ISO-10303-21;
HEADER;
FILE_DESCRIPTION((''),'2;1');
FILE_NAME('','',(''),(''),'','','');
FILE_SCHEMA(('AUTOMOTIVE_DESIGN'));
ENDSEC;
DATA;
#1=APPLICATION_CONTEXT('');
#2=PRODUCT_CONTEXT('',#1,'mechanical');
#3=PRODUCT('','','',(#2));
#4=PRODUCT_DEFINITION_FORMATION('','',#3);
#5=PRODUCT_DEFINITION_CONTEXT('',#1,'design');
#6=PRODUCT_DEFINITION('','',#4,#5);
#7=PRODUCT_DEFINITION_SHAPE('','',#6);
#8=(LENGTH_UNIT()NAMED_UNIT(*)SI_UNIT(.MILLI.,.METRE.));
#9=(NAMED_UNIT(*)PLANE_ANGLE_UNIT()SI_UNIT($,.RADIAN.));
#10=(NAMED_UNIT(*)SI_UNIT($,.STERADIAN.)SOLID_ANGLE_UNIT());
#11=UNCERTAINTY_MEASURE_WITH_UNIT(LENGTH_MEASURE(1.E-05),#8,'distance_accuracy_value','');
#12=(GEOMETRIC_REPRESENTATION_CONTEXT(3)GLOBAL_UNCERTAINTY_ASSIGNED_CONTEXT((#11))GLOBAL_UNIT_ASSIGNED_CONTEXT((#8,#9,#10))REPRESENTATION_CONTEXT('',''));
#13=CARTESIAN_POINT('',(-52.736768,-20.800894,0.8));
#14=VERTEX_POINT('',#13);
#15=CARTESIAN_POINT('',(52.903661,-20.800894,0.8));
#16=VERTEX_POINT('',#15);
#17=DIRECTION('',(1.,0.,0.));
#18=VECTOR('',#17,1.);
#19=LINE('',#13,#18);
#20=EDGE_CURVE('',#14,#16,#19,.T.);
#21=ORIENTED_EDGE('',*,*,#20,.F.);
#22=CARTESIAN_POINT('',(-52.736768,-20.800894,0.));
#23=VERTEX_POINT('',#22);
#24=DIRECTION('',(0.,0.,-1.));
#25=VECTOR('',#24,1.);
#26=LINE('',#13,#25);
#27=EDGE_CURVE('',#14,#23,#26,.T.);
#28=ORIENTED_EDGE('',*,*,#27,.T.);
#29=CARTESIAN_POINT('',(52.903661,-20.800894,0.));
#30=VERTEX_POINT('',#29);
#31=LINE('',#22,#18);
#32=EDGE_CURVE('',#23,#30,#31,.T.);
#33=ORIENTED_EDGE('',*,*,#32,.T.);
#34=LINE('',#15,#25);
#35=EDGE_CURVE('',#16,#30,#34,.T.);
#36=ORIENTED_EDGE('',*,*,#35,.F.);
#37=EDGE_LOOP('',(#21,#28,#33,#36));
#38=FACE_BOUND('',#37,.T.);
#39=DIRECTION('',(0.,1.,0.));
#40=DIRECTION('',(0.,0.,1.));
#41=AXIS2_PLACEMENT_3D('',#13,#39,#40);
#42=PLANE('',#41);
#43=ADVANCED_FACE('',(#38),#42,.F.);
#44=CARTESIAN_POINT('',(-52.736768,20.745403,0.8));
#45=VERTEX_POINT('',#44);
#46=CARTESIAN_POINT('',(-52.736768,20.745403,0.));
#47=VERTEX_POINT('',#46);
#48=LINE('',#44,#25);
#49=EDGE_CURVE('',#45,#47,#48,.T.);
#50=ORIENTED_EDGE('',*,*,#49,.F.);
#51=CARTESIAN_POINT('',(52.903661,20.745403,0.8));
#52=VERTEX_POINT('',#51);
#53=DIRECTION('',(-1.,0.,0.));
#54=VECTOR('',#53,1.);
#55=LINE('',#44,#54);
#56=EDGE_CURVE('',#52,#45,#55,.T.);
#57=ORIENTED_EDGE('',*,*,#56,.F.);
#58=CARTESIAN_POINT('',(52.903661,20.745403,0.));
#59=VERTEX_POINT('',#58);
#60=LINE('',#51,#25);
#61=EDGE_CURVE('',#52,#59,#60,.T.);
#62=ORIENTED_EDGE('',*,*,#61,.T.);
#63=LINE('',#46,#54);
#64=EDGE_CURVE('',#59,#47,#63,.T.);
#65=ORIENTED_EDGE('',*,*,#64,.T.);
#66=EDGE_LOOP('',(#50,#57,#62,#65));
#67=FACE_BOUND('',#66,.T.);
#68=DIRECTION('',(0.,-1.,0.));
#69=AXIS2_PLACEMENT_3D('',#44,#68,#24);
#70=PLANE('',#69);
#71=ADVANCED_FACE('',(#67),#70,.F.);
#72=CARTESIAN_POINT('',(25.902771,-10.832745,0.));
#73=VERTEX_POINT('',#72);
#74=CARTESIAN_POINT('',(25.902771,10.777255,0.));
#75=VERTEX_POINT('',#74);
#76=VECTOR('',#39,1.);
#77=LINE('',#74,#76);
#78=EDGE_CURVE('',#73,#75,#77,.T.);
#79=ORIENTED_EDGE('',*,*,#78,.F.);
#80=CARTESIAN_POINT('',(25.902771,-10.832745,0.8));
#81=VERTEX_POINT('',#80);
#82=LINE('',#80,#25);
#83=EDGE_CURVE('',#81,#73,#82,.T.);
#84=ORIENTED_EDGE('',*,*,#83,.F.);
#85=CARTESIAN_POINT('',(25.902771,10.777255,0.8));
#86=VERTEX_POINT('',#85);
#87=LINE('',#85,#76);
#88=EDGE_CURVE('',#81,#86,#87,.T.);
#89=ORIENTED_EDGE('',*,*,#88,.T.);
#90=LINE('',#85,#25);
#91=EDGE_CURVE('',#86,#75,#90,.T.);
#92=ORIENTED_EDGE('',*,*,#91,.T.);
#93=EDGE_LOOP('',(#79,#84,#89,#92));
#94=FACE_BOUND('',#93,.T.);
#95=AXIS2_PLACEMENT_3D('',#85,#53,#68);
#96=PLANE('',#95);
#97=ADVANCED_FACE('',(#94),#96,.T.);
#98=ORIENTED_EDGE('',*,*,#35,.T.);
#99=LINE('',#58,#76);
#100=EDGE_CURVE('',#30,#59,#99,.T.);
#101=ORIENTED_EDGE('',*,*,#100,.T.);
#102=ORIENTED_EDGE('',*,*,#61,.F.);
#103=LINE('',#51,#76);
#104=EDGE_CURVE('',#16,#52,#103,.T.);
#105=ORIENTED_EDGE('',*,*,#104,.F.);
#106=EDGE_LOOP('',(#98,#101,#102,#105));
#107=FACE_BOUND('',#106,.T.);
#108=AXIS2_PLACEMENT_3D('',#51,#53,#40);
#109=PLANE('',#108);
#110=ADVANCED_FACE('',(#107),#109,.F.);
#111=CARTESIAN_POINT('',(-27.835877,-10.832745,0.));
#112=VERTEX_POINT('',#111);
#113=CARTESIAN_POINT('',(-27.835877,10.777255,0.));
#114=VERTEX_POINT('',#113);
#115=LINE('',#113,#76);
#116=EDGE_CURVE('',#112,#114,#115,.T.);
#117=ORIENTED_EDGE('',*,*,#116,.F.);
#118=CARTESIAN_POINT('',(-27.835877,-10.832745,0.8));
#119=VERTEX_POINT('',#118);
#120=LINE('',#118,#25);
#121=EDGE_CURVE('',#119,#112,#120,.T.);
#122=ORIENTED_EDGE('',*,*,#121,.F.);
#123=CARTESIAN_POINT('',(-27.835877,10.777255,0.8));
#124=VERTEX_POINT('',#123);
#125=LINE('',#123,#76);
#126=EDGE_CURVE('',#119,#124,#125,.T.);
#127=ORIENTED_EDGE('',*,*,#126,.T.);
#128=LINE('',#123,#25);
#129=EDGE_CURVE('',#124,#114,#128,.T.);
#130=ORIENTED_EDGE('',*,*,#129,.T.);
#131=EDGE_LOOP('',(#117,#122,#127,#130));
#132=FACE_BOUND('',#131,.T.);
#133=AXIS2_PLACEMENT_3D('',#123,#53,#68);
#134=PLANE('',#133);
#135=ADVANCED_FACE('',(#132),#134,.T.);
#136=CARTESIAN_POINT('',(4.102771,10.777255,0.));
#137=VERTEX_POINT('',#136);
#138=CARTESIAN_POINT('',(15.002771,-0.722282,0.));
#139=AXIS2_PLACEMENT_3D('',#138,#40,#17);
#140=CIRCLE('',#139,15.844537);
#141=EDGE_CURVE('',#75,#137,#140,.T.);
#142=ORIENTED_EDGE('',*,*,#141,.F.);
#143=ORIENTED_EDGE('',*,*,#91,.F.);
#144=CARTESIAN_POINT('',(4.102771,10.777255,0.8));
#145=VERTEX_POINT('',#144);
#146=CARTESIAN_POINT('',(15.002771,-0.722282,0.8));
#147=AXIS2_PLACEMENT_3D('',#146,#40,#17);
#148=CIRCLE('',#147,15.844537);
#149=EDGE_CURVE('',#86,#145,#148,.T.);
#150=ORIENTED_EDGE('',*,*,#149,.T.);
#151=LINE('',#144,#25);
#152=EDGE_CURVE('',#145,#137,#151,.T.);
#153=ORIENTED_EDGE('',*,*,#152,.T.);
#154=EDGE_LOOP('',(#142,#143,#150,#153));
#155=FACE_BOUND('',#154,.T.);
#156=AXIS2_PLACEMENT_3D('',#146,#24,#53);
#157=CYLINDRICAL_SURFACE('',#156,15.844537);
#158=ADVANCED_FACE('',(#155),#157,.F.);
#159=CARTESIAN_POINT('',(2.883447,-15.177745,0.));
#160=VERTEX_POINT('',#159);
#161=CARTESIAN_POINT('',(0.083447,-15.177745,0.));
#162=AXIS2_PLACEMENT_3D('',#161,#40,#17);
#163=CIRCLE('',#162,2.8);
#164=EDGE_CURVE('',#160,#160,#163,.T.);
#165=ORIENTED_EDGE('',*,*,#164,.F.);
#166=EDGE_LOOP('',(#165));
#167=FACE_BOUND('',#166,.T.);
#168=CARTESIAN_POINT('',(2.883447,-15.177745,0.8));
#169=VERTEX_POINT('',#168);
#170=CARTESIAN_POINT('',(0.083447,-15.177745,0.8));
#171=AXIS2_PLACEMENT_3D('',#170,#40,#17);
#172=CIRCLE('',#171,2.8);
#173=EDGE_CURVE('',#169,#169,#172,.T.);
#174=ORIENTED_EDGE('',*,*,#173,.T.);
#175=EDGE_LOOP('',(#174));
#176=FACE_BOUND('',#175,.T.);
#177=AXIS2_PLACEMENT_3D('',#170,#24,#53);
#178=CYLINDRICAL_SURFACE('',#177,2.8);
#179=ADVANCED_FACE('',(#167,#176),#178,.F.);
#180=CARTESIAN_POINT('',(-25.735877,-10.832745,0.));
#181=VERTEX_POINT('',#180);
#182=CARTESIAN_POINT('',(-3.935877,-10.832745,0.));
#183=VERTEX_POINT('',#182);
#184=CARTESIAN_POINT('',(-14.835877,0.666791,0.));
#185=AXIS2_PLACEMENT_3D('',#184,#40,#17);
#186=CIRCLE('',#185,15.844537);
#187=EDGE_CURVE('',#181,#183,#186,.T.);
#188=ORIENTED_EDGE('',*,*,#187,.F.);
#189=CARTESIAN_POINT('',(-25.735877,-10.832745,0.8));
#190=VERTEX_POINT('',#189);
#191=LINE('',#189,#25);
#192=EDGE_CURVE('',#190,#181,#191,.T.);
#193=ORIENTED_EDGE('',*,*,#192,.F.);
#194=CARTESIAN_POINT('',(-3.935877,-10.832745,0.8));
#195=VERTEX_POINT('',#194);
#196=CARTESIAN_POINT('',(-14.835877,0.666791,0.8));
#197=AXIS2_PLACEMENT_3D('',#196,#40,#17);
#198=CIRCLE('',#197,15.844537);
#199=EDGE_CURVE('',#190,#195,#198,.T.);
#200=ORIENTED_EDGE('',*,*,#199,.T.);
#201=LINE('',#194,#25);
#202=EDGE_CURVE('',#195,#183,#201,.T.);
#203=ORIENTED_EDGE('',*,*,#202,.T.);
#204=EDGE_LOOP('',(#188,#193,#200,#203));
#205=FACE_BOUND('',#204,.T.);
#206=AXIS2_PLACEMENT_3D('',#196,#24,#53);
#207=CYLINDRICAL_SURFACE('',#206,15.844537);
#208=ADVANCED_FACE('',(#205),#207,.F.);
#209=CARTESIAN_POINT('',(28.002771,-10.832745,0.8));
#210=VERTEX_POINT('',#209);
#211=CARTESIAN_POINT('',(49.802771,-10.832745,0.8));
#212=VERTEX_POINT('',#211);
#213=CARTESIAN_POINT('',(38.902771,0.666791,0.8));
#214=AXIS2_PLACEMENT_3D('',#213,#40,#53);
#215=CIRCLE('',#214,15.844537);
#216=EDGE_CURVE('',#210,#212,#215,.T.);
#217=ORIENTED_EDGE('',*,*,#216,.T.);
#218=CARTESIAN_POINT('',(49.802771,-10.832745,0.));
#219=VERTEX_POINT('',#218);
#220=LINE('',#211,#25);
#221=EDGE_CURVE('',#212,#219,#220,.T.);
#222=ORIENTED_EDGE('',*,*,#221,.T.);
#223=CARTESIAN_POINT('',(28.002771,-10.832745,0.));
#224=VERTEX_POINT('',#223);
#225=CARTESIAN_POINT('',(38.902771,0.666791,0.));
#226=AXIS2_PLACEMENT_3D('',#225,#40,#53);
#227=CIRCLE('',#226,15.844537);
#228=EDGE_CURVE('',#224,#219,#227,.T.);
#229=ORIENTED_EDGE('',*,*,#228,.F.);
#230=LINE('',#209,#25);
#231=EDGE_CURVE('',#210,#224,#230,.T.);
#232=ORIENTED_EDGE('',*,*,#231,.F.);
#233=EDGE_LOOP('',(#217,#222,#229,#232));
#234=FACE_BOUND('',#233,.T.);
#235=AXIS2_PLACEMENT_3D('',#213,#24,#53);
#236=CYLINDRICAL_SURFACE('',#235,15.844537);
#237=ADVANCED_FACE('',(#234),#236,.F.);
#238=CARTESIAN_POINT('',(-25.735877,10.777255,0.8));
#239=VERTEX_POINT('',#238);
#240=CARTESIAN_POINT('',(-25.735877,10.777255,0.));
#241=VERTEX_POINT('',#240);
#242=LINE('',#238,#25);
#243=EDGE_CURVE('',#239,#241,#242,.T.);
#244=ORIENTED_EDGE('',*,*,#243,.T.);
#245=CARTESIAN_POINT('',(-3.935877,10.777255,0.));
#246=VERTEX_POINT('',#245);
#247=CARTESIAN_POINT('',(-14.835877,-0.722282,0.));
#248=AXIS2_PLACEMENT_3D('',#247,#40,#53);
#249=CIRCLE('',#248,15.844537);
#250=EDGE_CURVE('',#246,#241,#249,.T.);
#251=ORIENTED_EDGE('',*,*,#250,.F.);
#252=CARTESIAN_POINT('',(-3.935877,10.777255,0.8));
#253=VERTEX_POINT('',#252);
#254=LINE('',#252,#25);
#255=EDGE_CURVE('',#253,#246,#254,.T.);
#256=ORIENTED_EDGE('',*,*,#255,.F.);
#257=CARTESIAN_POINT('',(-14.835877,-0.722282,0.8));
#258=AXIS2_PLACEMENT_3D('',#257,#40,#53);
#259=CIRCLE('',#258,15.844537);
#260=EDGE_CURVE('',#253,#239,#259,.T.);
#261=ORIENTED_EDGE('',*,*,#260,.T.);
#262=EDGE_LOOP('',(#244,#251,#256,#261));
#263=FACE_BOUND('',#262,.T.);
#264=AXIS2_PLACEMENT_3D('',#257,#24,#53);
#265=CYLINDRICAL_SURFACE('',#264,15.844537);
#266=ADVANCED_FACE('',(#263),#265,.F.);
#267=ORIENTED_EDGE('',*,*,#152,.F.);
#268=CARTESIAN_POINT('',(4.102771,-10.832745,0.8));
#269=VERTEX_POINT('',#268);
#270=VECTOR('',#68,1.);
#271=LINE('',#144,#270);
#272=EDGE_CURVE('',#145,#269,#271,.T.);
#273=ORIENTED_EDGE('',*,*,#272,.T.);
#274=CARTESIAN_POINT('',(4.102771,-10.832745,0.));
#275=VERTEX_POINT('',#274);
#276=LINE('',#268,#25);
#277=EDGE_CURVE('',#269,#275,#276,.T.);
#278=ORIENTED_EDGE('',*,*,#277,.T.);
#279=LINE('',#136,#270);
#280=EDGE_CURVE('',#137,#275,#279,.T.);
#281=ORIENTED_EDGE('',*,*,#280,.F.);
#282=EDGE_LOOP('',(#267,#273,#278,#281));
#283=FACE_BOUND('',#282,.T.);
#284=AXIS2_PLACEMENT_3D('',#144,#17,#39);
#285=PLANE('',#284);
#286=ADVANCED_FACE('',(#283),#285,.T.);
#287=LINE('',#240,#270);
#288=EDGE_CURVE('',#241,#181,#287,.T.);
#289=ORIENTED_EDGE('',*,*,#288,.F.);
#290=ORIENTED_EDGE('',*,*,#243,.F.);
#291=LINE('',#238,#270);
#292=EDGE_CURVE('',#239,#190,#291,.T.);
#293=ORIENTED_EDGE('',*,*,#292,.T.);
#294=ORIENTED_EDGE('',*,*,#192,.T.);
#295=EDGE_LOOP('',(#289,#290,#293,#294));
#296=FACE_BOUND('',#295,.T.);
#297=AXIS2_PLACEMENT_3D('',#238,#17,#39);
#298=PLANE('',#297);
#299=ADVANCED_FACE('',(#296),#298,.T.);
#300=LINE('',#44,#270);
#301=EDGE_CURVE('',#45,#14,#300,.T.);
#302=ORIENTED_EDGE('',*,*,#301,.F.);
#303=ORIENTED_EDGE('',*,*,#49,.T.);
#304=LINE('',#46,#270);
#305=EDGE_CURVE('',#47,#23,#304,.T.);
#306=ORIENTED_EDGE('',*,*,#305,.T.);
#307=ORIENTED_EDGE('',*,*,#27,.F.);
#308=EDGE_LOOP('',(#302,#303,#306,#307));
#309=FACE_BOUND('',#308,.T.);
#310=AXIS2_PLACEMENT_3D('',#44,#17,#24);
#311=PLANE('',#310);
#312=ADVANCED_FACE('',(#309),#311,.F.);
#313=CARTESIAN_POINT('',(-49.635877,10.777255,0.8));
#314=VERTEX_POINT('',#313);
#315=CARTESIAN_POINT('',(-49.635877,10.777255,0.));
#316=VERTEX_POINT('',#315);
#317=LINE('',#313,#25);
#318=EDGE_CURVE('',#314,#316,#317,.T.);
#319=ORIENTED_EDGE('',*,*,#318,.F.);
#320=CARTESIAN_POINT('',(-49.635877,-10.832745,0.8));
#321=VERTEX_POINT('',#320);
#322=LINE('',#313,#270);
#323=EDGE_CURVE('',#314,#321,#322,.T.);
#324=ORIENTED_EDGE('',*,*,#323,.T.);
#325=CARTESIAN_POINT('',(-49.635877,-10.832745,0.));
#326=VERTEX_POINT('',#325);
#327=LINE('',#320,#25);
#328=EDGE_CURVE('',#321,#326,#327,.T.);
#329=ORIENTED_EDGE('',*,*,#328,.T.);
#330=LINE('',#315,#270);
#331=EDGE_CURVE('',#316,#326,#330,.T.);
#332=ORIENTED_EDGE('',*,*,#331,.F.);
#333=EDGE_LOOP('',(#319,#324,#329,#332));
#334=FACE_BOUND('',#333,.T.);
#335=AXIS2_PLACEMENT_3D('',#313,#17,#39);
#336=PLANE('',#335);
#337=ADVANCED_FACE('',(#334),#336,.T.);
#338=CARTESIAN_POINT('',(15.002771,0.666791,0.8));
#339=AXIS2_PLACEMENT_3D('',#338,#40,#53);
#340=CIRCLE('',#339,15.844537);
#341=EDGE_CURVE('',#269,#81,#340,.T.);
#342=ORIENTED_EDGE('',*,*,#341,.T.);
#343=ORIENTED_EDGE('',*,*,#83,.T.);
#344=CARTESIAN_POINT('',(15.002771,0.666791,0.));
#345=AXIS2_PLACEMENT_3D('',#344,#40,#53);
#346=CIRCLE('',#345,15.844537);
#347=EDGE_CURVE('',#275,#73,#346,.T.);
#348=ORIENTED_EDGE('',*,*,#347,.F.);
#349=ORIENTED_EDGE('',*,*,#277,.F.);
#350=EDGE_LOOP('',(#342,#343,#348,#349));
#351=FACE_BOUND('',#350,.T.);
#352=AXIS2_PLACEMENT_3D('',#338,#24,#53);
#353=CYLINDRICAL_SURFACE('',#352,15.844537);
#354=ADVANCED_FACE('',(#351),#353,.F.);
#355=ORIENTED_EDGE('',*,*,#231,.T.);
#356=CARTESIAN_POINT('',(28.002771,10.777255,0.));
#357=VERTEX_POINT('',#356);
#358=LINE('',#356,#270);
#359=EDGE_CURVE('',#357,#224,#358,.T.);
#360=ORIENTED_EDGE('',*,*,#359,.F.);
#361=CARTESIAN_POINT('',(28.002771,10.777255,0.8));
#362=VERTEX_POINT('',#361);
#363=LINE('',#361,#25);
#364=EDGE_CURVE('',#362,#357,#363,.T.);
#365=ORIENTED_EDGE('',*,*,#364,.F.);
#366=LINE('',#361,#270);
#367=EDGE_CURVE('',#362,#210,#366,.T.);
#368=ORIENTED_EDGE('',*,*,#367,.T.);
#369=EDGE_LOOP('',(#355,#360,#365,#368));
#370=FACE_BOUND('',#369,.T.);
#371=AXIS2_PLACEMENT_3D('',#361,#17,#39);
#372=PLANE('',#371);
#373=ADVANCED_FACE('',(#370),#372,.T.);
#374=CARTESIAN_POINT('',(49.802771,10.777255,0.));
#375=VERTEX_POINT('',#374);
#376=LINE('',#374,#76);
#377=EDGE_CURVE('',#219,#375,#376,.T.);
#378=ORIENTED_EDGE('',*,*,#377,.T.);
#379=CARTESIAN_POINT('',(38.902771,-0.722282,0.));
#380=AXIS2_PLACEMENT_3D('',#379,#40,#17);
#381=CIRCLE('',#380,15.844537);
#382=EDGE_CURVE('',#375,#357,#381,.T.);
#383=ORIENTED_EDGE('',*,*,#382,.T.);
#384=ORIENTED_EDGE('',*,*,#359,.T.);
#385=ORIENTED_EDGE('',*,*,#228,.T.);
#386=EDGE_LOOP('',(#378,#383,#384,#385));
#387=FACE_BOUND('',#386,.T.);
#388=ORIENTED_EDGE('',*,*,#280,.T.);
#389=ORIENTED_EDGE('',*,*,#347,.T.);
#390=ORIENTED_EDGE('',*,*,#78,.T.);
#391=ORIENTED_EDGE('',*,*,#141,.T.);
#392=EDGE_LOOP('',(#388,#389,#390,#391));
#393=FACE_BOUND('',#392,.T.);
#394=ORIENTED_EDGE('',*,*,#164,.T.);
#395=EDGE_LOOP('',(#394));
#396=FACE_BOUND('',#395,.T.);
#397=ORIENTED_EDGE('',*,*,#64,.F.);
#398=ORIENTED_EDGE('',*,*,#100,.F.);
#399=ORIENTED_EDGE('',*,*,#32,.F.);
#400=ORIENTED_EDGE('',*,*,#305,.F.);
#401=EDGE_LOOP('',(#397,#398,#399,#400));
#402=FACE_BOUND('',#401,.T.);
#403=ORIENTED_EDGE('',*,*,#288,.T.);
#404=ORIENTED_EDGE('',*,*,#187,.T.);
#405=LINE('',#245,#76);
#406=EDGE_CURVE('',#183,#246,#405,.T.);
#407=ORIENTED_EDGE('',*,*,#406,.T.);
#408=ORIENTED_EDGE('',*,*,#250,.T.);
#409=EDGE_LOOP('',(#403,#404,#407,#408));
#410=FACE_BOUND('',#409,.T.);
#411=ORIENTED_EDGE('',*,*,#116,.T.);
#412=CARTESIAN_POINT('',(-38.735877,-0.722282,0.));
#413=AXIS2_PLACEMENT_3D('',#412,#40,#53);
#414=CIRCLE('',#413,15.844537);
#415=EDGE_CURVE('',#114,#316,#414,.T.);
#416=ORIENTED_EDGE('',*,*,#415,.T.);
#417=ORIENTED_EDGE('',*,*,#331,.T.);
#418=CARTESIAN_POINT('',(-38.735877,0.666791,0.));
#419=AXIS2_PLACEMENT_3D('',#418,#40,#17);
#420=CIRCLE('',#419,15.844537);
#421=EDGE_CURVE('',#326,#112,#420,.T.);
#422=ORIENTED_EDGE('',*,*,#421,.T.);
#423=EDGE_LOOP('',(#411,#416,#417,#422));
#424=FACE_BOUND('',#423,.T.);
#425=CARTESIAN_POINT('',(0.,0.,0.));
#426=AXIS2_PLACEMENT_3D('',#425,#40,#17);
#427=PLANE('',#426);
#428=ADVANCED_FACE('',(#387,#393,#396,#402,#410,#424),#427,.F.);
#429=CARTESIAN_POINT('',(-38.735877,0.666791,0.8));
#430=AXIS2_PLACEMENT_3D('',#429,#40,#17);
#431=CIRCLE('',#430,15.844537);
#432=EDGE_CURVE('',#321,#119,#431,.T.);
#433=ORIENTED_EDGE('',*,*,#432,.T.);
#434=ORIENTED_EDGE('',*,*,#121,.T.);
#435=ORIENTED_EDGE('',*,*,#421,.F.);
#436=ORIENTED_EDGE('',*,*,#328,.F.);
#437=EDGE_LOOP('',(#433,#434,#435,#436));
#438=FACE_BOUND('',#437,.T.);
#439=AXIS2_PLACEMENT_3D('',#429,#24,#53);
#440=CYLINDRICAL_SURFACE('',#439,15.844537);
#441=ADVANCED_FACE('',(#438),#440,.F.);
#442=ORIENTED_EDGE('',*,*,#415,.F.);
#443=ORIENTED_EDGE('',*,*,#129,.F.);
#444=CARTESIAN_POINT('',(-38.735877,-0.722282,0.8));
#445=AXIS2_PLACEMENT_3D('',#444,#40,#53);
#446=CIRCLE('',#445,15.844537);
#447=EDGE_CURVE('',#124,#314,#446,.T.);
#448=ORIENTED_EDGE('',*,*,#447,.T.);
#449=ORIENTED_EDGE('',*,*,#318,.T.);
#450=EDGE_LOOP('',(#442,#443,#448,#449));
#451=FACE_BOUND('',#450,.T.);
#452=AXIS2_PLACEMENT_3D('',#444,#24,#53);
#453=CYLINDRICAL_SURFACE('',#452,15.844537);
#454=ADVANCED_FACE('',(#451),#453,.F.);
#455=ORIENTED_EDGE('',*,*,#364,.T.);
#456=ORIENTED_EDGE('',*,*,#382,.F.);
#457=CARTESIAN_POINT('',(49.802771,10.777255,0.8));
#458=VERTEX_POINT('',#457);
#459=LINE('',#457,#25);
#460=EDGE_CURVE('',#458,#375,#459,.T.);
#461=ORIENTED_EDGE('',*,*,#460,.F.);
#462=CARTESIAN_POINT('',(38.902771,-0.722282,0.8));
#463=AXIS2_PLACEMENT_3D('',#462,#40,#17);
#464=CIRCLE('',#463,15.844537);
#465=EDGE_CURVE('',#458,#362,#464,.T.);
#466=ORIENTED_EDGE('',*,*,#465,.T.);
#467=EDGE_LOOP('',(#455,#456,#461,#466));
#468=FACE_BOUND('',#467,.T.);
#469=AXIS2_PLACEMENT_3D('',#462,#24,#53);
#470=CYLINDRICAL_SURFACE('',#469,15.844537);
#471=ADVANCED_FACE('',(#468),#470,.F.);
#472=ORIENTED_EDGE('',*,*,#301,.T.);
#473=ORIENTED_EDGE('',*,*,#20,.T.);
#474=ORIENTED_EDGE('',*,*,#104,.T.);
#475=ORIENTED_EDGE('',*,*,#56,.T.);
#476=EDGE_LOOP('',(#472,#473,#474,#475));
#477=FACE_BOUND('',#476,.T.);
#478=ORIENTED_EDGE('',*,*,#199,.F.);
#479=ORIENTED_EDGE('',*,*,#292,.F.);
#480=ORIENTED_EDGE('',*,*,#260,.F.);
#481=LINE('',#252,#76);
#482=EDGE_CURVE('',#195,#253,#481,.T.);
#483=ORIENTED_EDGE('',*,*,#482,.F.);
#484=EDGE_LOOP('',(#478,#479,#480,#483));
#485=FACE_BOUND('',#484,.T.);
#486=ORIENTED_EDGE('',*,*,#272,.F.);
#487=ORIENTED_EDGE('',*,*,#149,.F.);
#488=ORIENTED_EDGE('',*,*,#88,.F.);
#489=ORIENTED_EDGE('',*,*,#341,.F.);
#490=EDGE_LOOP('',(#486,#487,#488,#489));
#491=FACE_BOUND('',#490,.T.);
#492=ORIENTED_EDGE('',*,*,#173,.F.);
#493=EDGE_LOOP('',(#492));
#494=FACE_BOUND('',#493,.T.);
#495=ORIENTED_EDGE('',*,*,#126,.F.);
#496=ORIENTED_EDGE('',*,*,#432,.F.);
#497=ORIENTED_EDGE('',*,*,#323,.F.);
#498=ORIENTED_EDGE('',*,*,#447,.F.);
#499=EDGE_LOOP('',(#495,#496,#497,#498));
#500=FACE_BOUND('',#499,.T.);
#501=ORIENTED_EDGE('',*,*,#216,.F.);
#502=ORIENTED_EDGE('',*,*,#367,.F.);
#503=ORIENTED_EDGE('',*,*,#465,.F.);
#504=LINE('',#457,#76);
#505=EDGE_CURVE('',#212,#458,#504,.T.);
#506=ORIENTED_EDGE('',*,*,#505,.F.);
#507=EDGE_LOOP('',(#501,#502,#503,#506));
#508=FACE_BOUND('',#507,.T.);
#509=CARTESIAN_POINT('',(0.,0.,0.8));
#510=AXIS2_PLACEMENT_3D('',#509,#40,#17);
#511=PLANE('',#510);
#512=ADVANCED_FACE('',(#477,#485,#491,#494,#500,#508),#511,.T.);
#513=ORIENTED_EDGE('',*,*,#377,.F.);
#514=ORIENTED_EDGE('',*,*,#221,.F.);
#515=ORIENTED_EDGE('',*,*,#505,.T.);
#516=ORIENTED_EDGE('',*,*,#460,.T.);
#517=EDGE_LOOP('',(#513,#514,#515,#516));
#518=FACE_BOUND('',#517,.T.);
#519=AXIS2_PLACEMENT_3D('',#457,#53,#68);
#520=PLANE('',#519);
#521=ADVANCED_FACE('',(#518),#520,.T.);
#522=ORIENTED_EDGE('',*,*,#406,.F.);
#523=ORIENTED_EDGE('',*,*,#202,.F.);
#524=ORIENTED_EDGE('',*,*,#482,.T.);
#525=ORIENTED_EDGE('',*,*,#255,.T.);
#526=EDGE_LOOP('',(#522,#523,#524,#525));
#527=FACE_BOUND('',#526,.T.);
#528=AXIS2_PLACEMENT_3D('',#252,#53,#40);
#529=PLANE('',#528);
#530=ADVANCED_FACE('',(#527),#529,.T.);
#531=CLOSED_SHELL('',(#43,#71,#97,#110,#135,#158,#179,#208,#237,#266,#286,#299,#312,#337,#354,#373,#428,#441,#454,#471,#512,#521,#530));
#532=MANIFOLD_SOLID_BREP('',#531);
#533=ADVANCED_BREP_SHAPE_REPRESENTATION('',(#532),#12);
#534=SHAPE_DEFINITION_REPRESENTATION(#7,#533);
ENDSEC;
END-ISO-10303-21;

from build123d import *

# Parameters (mm, degrees)
SKETCH_1_W      = 105.64042879
SKETCH_1_H      = 41.546296754
SKETCH_1_R      = 2.8
EXTRUDE_2_DEPTH = 0.8


with BuildPart() as part:
    # Эскиз1 → Бобышка-Вытянуть2 (new body)
    with BuildSketch(Plane.XY):
        with Locations((0.083446622, -0.02774538)):
            Rectangle(SKETCH_1_W, SKETCH_1_H)
        with Locations((0.083446622, -15.17774538)):
            Circle(SKETCH_1_R, mode=Mode.SUBTRACT)
        with BuildLine():
            Line((-49.635877413, 10.77725462), (-49.635877413, -10.83274538))
            ThreePointArc((-49.635877413, -10.83274538), (-38.735877413, -15.17774538), (-27.835877413, -10.83274538))
            Line((-27.835877413, -10.83274538), (-27.835877413, 10.77725462))
            ThreePointArc((-27.835877413, 10.77725462), (-38.735877413, 15.12225462), (-49.635877413, 10.77725462))
        make_face(mode=Mode.SUBTRACT)
        with BuildLine():
            Line((-25.735877413, 10.77725462), (-25.735877413, -10.83274538))
            ThreePointArc((-25.735877413, -10.83274538), (-14.835877413, -15.17774538), (-3.935877413, -10.83274538))
            Line((-3.935877413, -10.83274538), (-3.935877413, 10.77725462))
            ThreePointArc((-3.935877413, 10.77725462), (-14.835877413, 15.12225462), (-25.735877413, 10.77725462))
        make_face(mode=Mode.SUBTRACT)
        with BuildLine():
            Line((4.102770658, 10.77725462), (4.102770658, -10.83274538))
            ThreePointArc((4.102770658, -10.83274538), (15.002770658, -15.17774538), (25.902770658, -10.83274538))
            Line((25.902770658, -10.83274538), (25.902770658, 10.77725462))
            ThreePointArc((25.902770658, 10.77725462), (15.002770658, 15.12225462), (4.102770658, 10.77725462))
        make_face(mode=Mode.SUBTRACT)
        with BuildLine():
            Line((28.002770658, 10.77725462), (28.002770658, -10.83274538))
            ThreePointArc((28.002770658, -10.83274538), (38.902770658, -15.17774538), (49.802770658, -10.83274538))
            Line((49.802770658, -10.83274538), (49.802770658, 10.77725462))
            ThreePointArc((49.802770658, 10.77725462), (38.902770658, 15.12225462), (28.002770658, 10.77725462))
        make_face(mode=Mode.SUBTRACT)
    extrude(amount=EXTRUDE_2_DEPTH)


solid = part.part
